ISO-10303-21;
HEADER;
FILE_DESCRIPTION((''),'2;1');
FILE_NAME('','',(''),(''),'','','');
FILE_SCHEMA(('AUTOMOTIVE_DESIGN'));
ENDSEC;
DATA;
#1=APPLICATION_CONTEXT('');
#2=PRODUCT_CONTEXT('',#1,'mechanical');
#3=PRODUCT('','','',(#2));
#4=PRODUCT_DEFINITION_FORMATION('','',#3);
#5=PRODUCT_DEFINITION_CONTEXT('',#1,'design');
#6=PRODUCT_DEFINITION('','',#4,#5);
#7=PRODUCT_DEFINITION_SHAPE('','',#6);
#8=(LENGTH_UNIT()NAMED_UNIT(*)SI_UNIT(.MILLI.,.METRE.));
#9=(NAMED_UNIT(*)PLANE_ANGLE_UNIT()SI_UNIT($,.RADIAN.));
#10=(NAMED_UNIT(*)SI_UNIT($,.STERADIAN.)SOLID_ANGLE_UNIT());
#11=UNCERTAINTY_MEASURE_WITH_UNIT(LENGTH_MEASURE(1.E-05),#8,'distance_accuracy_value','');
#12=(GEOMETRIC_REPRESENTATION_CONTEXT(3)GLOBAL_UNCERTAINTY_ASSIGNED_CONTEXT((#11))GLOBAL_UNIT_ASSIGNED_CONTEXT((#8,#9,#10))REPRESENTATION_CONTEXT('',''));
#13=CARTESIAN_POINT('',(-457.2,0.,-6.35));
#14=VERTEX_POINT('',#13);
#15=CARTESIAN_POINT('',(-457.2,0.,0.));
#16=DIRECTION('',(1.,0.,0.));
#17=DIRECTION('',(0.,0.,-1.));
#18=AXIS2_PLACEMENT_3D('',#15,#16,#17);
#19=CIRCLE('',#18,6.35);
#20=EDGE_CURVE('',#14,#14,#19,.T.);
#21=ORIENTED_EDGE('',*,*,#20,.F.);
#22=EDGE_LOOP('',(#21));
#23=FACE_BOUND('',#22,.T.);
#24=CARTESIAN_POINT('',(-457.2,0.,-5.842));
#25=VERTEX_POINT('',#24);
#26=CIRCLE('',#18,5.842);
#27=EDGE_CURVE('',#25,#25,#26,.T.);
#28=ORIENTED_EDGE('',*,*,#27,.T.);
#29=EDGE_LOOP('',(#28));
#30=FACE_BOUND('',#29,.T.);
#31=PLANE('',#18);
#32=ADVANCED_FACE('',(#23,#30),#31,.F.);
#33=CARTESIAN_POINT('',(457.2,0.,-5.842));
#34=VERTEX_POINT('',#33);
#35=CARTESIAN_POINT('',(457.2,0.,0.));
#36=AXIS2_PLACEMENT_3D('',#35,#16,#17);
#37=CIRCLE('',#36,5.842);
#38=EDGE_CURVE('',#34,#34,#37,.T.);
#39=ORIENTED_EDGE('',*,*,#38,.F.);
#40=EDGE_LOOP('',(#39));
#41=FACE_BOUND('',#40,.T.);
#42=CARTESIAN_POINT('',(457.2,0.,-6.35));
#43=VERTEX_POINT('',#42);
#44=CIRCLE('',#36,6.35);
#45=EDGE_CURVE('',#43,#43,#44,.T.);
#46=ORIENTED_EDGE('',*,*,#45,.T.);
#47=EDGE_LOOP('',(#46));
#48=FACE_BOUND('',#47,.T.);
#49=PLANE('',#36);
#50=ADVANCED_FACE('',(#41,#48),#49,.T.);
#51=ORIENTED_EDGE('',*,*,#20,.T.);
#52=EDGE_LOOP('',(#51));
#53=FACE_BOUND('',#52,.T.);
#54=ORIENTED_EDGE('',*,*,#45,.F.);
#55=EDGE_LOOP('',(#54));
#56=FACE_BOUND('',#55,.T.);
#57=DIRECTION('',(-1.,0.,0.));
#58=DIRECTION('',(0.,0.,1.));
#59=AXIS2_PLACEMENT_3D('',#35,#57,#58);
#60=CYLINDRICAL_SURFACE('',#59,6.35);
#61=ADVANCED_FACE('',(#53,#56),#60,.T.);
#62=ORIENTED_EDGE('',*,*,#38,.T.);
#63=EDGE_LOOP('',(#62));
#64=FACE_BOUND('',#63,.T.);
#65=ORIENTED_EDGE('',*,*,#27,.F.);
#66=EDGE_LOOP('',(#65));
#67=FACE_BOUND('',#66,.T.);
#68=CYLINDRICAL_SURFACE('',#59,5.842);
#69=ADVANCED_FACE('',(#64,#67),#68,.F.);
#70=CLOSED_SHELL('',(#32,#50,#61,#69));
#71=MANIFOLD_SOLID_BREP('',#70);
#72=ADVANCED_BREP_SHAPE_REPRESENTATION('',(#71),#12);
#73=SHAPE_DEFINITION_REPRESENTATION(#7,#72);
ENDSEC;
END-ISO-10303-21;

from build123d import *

# Parameters (mm, degrees)
SKETCH1_R      = 6.35
SKETCH1_R_2    = 5.842
EXTRUDE1_DEPTH = 457.2


with BuildPart() as part:
    # Sketch1 → Extrude1 (new, symmetric)
    with BuildSketch(Plane(origin=(0, 0, 0), x_dir=(0, 0, -1), z_dir=(1, 0, 0))):
        Circle(SKETCH1_R)
        Circle(SKETCH1_R_2, mode=Mode.SUBTRACT)
    extrude(amount=EXTRUDE1_DEPTH, both=True)


solid = part.part
